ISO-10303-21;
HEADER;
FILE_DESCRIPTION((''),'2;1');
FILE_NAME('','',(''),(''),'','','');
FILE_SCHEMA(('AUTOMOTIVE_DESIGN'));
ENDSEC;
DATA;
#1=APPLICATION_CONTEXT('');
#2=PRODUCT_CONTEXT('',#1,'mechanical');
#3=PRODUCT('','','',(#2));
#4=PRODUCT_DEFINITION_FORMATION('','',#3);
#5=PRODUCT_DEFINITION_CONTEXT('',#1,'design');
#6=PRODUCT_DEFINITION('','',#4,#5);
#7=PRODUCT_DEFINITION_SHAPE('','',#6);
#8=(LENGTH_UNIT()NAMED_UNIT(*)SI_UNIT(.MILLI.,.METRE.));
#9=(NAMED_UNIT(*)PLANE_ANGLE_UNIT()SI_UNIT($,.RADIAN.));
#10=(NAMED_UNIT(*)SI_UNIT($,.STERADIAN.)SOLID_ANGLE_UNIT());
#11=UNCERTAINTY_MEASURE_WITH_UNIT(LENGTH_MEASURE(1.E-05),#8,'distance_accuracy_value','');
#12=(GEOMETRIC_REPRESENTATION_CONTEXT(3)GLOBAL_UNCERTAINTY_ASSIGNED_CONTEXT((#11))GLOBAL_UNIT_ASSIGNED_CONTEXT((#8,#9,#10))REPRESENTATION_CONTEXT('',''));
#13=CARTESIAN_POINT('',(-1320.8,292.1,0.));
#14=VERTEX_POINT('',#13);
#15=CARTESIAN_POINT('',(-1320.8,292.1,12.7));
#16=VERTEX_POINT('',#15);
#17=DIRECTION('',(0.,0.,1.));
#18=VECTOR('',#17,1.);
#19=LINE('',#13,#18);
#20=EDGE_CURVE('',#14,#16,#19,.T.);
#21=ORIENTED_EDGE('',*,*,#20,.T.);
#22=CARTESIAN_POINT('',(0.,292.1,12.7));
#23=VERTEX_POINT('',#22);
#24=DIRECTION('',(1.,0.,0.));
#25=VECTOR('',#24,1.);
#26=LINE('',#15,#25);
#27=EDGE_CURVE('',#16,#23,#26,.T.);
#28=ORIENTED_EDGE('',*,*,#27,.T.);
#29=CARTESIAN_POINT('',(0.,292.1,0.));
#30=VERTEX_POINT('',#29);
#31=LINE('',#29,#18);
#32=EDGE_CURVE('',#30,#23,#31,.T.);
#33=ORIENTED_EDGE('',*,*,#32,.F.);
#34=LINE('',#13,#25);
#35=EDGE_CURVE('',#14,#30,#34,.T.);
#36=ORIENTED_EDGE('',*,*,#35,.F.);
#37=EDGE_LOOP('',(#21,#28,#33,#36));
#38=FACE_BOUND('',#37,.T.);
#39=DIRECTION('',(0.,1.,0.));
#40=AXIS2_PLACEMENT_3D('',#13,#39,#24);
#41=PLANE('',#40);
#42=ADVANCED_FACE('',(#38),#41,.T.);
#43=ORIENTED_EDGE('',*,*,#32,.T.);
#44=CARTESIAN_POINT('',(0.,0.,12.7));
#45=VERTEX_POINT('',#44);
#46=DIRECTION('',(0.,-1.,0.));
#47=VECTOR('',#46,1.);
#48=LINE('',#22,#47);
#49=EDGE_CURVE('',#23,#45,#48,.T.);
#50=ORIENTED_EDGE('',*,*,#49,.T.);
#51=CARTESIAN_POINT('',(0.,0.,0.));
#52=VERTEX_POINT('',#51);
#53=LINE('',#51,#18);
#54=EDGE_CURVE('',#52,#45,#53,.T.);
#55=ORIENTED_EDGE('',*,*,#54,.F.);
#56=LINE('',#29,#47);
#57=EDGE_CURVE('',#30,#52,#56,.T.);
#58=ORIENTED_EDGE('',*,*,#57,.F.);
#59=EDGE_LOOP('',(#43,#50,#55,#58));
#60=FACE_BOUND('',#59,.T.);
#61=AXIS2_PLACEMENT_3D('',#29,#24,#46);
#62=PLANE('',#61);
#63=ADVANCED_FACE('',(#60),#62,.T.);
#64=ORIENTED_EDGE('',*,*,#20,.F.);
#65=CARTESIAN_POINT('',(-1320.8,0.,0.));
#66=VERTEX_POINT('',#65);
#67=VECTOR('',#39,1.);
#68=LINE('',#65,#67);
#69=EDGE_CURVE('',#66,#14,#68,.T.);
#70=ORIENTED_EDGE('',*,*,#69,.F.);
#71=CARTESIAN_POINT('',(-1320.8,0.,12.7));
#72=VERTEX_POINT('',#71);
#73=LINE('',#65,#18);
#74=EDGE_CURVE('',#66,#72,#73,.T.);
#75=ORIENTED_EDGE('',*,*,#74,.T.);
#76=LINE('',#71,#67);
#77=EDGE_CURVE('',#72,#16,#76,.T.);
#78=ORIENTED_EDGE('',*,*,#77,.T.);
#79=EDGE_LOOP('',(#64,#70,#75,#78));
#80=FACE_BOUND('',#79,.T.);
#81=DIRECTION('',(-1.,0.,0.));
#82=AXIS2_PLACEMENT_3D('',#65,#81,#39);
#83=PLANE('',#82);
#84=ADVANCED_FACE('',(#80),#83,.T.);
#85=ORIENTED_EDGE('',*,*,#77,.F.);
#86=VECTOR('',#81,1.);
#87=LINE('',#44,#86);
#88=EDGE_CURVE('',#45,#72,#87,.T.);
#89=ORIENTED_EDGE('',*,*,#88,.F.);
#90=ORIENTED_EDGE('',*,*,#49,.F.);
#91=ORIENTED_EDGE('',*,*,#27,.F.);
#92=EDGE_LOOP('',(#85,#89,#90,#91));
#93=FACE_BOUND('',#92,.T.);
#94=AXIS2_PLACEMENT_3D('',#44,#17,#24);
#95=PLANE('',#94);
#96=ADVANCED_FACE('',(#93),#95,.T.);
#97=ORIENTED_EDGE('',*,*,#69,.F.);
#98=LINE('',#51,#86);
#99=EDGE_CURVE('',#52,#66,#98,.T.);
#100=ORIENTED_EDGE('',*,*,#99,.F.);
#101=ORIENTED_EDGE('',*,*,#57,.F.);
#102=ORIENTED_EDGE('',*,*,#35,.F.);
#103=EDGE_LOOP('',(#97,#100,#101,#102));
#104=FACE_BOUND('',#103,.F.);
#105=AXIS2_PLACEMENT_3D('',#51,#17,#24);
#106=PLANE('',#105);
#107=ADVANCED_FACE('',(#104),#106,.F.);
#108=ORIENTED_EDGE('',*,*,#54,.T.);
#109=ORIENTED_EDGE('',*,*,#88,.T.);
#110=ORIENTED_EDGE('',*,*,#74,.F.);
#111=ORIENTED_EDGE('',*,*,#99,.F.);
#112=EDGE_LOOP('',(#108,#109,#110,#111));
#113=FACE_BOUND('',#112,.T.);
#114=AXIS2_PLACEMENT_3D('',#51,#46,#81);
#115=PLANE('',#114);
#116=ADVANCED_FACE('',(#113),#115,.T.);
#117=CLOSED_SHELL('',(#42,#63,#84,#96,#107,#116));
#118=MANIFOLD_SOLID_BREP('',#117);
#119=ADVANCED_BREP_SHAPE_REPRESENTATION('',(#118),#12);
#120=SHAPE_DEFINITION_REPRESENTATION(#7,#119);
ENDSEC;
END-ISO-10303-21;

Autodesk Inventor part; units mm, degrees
ref_plane "YZ Plane" through (0, 0, 0) normal (1, 0, 0) x (0, 1, 0)
ref_plane "XZ Plane" through (0, 0, 0) normal (0, 1, 0) x (-1, 0, 0)
ref_plane "XY Plane" through (0, 0, 0) normal (0, 0, 1) x (1, 0, 0)
sketch "Sketch1" plane through (0, 0, 0) normal (0, 0, 1) x (1, 0, 0)
  line L0 (0, 0) -> (-1320.8, 0)
  line L1 (-1320.8, 0) -> (-1320.8, 292.1)
  line L2 (-1320.8, 292.1) -> (0, 292.1)
  line L3 (0, 292.1) -> (0, 0)
  dimension "d0" = 292.1
  dimension "d1" = 1320.8
extrude "Extrusion1" add sketch "Sketch1" along normal blind 12.7
properties part number "side" material "Wood (Birch)"
